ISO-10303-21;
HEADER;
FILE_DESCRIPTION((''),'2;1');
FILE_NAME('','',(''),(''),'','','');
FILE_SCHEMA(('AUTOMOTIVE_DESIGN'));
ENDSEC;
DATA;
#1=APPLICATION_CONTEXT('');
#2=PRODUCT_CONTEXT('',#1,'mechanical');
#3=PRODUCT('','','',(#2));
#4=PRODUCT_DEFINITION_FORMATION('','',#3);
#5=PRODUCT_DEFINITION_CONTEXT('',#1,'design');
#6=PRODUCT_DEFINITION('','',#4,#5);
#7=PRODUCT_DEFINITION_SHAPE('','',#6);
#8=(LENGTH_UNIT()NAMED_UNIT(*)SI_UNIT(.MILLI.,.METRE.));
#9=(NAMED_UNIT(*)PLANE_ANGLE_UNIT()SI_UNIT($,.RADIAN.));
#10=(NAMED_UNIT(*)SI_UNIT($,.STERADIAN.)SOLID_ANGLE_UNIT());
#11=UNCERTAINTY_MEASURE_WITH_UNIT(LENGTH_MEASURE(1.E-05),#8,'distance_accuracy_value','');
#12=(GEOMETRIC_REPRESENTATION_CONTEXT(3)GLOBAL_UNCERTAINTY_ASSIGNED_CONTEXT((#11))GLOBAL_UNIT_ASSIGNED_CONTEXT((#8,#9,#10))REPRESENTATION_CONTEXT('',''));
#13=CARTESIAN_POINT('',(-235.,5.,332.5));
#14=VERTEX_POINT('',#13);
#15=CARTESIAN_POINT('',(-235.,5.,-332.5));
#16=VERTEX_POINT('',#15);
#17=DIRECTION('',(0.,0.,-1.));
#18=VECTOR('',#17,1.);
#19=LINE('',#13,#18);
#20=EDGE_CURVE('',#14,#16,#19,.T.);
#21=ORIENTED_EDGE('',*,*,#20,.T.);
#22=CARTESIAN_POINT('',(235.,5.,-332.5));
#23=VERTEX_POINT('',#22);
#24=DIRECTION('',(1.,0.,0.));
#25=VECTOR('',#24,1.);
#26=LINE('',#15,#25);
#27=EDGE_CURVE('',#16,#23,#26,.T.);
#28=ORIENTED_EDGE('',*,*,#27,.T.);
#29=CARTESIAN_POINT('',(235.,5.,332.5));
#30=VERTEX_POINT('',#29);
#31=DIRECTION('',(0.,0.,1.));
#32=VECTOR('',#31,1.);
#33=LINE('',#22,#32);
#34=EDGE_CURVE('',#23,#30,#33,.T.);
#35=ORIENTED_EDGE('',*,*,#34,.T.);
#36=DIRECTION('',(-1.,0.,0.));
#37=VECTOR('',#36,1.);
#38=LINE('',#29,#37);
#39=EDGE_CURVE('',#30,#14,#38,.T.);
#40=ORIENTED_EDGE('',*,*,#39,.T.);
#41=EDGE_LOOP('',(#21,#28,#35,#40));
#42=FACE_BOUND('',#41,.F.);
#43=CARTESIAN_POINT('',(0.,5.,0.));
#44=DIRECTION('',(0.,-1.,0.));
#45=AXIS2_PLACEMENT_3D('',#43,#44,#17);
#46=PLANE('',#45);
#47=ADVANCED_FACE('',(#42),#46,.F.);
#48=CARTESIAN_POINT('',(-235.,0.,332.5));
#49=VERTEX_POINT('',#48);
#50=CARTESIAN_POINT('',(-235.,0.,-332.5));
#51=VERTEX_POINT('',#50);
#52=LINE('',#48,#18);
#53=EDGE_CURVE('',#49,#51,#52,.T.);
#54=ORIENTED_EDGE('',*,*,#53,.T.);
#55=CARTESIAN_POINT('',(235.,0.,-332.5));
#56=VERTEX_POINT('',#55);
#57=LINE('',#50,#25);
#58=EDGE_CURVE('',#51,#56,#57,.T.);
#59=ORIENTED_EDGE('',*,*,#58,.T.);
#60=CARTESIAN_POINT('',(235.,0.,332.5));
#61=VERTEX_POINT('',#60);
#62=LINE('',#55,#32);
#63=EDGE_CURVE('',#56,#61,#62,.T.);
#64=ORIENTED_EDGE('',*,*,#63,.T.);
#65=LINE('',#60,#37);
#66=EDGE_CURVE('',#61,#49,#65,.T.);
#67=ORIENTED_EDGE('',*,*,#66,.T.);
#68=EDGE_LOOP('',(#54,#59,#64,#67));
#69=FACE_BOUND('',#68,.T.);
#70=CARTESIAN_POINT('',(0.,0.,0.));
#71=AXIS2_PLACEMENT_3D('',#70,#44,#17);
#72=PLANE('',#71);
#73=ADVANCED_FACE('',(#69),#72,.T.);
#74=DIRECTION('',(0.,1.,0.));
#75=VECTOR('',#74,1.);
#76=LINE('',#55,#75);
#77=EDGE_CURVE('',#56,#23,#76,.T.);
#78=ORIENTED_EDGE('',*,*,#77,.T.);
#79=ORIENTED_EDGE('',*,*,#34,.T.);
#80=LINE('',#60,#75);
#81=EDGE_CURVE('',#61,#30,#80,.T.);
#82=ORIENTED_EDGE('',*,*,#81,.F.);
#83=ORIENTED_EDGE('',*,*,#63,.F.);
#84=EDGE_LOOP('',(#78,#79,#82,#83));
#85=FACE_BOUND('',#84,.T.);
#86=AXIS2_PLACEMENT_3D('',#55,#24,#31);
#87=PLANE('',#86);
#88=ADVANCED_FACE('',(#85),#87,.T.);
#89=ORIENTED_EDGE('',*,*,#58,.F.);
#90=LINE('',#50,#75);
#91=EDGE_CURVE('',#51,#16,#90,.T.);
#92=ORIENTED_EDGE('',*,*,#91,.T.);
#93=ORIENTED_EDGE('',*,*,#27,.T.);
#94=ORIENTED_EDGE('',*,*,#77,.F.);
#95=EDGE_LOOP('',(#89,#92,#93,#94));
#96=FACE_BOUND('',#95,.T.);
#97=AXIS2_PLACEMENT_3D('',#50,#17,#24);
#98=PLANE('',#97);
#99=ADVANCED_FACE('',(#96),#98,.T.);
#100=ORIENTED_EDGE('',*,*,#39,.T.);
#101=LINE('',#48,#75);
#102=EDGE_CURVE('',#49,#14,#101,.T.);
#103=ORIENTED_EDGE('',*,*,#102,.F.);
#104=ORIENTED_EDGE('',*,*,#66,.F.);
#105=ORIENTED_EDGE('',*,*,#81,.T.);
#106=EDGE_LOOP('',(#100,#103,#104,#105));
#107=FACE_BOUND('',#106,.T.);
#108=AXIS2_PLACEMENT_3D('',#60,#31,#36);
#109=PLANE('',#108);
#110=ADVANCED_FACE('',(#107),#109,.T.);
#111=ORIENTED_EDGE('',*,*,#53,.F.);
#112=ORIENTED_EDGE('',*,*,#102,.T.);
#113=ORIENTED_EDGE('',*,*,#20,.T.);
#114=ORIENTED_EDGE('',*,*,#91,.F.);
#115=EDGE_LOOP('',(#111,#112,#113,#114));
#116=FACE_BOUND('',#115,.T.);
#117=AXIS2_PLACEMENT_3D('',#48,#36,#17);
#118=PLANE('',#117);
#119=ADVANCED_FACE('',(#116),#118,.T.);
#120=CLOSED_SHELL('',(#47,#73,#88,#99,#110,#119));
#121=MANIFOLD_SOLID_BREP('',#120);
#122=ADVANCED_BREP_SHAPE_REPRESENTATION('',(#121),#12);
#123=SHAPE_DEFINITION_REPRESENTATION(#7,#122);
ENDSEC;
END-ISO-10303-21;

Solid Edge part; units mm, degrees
sketch "Sketch1" plane through (0, 0, 0) normal (0, -1, 0) x (1, 0, 0)
  line L0 (-235, -332.5) -> (235, -332.5)
  line L1 (235, -332.5) -> (235, 332.5)
  line L2 (235, 332.5) -> (-235, 332.5)
  line L3 (-235, 332.5) -> (-235, -332.5)
extrude "Protrusion1" add sketch "Sketch1" against normal blind 5
properties material "Galvanized steel"
